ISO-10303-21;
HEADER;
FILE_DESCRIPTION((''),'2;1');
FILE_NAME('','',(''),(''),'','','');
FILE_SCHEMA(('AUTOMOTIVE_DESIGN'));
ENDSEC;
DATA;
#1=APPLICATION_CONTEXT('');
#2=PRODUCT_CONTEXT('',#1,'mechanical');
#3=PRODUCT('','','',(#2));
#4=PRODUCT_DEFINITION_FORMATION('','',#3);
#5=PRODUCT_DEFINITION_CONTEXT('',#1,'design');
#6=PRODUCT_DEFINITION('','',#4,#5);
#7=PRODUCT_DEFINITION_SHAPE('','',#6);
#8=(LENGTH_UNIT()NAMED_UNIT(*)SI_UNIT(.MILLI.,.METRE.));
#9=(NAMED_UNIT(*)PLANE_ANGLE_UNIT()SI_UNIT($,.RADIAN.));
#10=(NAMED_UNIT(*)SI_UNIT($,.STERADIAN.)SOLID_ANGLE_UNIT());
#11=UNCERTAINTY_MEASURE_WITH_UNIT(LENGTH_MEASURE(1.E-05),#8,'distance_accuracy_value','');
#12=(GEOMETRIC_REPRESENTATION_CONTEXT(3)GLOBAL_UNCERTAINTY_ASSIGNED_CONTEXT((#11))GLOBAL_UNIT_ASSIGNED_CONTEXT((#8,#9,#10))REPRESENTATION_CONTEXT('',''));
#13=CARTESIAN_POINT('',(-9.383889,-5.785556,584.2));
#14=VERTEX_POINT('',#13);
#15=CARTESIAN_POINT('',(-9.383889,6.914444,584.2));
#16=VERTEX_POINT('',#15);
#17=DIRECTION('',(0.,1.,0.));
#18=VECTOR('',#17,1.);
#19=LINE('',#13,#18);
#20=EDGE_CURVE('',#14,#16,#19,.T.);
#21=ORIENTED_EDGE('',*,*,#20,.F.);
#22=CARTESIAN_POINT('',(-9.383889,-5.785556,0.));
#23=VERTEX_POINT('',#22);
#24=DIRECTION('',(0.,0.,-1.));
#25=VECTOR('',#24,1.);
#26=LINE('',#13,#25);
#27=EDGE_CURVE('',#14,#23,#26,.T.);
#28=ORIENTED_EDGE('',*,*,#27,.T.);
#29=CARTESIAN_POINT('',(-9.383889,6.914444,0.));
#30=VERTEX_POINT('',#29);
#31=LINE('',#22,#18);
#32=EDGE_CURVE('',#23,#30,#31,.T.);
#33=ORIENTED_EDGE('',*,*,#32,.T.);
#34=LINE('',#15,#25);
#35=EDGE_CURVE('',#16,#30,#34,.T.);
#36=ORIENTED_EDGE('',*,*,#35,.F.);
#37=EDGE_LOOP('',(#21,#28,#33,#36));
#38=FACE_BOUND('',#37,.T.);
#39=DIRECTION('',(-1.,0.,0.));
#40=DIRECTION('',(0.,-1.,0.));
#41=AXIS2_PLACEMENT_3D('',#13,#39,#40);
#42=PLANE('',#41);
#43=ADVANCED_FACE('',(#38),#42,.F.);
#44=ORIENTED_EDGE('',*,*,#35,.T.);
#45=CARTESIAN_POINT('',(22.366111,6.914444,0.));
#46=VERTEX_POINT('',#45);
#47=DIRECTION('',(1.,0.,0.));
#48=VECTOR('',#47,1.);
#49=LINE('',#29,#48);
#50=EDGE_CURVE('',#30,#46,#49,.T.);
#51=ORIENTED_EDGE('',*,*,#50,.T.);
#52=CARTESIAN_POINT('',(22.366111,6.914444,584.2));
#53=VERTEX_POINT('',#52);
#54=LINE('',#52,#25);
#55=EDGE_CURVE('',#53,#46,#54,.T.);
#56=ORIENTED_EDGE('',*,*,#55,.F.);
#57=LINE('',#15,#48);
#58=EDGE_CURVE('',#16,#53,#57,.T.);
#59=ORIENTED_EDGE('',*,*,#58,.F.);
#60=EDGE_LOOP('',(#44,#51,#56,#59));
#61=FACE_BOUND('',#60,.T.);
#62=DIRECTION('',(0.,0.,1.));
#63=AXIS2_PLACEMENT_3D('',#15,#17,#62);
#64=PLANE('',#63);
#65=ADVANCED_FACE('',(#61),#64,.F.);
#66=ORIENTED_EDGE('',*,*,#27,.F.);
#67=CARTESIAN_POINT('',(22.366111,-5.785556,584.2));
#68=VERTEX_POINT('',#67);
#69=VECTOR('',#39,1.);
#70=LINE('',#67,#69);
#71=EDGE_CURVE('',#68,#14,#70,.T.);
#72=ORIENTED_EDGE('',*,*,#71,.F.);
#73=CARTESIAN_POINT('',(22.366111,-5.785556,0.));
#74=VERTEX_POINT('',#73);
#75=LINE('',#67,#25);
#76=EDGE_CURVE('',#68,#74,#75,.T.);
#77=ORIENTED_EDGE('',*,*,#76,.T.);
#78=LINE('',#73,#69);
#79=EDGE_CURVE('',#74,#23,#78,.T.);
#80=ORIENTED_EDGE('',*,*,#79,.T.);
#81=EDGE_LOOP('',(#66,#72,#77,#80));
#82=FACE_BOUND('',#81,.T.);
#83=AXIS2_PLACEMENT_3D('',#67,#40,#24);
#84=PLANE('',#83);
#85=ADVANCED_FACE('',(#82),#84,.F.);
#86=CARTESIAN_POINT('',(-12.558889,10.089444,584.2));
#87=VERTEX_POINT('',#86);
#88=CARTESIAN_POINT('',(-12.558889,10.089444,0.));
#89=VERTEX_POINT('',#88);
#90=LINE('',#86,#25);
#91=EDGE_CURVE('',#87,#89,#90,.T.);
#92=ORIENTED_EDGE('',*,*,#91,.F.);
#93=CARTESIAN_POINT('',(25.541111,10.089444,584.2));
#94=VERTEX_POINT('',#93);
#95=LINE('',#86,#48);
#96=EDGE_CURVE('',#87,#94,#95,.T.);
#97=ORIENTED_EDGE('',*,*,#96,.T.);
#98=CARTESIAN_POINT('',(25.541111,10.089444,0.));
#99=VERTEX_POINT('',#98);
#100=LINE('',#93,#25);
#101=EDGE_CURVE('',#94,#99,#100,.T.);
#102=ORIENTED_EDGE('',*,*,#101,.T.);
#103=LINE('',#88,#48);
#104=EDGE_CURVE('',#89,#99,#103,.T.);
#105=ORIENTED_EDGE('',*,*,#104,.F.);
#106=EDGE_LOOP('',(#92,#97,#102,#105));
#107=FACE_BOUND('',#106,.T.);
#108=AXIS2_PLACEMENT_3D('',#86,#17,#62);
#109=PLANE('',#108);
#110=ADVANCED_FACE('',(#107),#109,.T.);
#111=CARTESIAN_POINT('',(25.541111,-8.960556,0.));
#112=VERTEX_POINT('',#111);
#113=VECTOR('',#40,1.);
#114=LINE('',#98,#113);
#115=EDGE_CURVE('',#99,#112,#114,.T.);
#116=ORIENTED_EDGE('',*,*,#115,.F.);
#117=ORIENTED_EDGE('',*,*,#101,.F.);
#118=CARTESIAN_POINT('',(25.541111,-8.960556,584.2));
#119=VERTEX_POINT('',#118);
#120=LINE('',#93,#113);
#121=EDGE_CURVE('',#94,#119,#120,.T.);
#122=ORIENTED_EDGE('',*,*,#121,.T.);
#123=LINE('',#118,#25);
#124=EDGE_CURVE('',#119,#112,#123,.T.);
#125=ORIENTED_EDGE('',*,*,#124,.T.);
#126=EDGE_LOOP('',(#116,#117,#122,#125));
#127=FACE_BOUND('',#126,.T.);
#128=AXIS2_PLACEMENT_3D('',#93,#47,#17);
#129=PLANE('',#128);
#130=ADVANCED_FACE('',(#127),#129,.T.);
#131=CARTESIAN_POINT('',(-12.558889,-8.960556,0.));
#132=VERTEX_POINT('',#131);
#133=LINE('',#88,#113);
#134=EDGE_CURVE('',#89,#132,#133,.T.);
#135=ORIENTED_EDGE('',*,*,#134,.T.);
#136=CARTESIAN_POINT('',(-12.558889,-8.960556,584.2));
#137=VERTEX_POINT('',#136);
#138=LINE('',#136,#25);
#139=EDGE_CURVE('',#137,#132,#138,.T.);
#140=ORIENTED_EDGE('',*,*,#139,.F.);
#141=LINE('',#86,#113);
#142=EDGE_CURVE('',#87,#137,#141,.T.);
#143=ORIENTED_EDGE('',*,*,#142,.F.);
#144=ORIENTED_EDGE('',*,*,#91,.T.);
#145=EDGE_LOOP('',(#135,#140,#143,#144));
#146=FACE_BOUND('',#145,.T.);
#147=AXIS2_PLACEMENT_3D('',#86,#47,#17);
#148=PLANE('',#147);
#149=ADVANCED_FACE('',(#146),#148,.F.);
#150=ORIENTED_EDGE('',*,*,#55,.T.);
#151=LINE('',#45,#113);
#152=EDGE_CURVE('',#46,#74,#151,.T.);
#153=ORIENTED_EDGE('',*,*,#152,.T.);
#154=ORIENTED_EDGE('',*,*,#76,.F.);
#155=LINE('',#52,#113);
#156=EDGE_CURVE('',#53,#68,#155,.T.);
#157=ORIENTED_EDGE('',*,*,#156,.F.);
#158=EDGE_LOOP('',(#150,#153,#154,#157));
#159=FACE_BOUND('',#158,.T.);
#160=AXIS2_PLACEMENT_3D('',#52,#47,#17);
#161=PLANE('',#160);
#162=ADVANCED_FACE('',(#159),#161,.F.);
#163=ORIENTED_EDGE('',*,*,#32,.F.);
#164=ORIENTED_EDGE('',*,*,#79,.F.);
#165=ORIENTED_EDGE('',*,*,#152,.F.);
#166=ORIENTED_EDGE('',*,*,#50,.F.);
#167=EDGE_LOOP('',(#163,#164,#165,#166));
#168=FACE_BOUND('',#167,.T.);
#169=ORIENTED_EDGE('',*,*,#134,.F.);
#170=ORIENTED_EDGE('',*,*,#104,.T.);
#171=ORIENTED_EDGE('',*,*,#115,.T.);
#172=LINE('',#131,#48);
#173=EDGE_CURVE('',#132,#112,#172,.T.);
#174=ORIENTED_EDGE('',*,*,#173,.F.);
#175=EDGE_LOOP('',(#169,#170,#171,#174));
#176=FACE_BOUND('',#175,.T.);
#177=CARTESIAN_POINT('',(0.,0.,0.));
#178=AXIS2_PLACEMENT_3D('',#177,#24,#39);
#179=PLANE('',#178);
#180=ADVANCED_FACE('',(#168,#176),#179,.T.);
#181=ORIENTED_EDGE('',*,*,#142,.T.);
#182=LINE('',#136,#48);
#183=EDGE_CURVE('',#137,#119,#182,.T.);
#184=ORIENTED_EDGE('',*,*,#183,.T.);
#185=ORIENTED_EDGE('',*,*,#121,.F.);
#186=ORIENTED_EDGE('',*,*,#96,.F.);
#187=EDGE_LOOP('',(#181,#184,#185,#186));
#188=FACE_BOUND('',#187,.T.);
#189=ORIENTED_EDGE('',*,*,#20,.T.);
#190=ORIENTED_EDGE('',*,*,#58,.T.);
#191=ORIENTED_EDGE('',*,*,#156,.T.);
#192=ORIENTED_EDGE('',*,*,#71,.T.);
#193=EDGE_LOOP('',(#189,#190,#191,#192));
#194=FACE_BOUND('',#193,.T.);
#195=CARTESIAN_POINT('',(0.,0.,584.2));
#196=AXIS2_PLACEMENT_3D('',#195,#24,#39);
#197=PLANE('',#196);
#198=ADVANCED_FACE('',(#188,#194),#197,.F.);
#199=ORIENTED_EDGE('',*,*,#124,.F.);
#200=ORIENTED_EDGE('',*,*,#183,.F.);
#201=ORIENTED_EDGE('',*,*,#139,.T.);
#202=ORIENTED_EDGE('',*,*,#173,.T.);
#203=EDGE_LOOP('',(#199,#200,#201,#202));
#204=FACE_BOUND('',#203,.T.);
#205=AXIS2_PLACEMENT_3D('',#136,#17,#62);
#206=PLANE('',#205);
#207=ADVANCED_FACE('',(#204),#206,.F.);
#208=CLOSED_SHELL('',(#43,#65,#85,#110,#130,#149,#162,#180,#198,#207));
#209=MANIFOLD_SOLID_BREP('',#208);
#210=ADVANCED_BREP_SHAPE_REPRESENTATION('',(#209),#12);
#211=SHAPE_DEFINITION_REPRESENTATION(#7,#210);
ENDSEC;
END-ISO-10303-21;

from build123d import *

# Parameters (mm, degrees)
SKETCH1_W           = 38.1
SKETCH1_H           = 19.05
BOSS_EXTRUDE1_DEPTH = 584.2
SKETCH2_W           = 31.75
SKETCH2_H           = 12.7
CUT_EXTRUDE1_DEPTH  = 585.2


with BuildPart() as part:
    # Sketch1 → Boss-Extrude1 (new body)
    with BuildSketch(Plane.XY):
        with Locations((6.491111111, 0.564444444)):
            Rectangle(SKETCH1_W, SKETCH1_H)
    extrude(amount=BOSS_EXTRUDE1_DEPTH)

    # Sketch2 → Cut-Extrude1 (cut, through all)
    with BuildSketch(Plane(origin=(0, 0, 0), x_dir=(-1, 0, 0), z_dir=(0, 0, -1))):
        with Locations((-6.491111111, 0.564444444)):
            Rectangle(SKETCH2_W, SKETCH2_H)
    extrude(amount=-CUT_EXTRUDE1_DEPTH, mode=Mode.SUBTRACT)


solid = part.part
